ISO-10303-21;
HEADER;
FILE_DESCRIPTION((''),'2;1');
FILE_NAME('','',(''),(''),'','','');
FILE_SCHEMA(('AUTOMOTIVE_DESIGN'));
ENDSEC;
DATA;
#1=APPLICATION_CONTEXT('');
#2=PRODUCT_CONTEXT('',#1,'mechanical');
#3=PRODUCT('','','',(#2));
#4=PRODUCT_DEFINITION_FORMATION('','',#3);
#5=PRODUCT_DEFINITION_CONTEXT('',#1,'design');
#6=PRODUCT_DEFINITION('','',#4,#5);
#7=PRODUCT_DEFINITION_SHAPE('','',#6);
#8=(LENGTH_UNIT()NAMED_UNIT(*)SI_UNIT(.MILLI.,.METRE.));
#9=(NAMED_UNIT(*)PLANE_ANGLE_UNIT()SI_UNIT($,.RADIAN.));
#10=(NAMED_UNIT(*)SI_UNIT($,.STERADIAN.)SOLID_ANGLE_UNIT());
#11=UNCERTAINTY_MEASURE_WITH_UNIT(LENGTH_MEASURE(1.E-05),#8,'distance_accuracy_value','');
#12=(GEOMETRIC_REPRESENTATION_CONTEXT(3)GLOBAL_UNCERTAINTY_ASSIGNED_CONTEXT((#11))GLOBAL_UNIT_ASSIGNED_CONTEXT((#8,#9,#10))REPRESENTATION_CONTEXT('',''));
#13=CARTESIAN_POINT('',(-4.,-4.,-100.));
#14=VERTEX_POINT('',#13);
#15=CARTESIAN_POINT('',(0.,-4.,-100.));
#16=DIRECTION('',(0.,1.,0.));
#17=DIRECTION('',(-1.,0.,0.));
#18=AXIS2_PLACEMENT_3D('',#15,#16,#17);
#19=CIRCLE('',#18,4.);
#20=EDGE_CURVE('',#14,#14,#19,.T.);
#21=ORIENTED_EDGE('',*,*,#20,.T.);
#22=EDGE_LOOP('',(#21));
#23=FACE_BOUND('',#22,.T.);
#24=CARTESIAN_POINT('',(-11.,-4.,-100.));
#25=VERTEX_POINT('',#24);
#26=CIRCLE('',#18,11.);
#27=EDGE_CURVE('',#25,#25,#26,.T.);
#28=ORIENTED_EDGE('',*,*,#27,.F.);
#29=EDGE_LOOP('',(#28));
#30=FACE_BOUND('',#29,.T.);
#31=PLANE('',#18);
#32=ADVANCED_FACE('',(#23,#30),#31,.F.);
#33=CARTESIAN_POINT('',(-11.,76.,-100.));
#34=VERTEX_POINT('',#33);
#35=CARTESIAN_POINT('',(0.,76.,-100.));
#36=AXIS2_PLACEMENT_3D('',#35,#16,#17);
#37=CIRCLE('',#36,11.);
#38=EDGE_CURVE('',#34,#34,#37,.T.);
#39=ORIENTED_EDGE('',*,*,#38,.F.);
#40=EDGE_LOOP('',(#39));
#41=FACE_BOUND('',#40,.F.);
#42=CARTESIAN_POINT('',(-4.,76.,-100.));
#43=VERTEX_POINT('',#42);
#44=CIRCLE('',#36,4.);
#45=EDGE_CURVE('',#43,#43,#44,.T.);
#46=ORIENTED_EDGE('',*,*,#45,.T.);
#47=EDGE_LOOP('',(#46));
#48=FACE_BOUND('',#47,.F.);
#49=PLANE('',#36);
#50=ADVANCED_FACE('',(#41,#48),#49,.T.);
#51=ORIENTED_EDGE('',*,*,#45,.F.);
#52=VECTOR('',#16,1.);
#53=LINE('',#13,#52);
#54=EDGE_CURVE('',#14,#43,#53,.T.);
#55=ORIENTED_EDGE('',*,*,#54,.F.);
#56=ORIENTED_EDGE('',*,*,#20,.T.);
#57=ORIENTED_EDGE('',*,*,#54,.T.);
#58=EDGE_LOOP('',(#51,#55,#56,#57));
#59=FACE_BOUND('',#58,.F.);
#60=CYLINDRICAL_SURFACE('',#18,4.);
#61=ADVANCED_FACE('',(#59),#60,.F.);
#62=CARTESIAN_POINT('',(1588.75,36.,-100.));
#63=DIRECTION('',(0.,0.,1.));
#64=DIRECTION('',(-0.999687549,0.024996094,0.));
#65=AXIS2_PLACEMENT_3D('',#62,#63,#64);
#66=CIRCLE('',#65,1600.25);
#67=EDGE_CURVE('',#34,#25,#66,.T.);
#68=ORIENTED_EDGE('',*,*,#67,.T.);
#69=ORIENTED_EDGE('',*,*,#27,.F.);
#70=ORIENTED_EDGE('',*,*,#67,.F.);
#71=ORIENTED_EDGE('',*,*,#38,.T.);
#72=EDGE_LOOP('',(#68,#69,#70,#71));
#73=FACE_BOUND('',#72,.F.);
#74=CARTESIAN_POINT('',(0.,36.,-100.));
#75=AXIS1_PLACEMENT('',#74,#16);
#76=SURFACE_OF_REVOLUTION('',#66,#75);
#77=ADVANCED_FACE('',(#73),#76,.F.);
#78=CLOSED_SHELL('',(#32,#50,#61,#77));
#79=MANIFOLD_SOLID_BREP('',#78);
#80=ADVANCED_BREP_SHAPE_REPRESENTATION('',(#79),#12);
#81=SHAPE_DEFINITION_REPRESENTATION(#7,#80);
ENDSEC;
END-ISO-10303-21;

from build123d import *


with BuildPart() as part:
    # Sketch023 → Revolution001 (revolve)
    with BuildSketch(Plane(origin=(0, 36, -100), x_dir=(0, 1, 0), z_dir=(0, 0, 1))):
        with BuildLine():
            Line((-40, 4), (40, 4))
            Line((40, 4), (40, 11))
            ThreePointArc((40, 11), (0, 11.5), (-40, 11))
            Line((-40, 4), (-40, 11))
        make_face()
    revolve(axis=Axis((0, 36, -100), (0, 1, 0)))


solid = part.part
